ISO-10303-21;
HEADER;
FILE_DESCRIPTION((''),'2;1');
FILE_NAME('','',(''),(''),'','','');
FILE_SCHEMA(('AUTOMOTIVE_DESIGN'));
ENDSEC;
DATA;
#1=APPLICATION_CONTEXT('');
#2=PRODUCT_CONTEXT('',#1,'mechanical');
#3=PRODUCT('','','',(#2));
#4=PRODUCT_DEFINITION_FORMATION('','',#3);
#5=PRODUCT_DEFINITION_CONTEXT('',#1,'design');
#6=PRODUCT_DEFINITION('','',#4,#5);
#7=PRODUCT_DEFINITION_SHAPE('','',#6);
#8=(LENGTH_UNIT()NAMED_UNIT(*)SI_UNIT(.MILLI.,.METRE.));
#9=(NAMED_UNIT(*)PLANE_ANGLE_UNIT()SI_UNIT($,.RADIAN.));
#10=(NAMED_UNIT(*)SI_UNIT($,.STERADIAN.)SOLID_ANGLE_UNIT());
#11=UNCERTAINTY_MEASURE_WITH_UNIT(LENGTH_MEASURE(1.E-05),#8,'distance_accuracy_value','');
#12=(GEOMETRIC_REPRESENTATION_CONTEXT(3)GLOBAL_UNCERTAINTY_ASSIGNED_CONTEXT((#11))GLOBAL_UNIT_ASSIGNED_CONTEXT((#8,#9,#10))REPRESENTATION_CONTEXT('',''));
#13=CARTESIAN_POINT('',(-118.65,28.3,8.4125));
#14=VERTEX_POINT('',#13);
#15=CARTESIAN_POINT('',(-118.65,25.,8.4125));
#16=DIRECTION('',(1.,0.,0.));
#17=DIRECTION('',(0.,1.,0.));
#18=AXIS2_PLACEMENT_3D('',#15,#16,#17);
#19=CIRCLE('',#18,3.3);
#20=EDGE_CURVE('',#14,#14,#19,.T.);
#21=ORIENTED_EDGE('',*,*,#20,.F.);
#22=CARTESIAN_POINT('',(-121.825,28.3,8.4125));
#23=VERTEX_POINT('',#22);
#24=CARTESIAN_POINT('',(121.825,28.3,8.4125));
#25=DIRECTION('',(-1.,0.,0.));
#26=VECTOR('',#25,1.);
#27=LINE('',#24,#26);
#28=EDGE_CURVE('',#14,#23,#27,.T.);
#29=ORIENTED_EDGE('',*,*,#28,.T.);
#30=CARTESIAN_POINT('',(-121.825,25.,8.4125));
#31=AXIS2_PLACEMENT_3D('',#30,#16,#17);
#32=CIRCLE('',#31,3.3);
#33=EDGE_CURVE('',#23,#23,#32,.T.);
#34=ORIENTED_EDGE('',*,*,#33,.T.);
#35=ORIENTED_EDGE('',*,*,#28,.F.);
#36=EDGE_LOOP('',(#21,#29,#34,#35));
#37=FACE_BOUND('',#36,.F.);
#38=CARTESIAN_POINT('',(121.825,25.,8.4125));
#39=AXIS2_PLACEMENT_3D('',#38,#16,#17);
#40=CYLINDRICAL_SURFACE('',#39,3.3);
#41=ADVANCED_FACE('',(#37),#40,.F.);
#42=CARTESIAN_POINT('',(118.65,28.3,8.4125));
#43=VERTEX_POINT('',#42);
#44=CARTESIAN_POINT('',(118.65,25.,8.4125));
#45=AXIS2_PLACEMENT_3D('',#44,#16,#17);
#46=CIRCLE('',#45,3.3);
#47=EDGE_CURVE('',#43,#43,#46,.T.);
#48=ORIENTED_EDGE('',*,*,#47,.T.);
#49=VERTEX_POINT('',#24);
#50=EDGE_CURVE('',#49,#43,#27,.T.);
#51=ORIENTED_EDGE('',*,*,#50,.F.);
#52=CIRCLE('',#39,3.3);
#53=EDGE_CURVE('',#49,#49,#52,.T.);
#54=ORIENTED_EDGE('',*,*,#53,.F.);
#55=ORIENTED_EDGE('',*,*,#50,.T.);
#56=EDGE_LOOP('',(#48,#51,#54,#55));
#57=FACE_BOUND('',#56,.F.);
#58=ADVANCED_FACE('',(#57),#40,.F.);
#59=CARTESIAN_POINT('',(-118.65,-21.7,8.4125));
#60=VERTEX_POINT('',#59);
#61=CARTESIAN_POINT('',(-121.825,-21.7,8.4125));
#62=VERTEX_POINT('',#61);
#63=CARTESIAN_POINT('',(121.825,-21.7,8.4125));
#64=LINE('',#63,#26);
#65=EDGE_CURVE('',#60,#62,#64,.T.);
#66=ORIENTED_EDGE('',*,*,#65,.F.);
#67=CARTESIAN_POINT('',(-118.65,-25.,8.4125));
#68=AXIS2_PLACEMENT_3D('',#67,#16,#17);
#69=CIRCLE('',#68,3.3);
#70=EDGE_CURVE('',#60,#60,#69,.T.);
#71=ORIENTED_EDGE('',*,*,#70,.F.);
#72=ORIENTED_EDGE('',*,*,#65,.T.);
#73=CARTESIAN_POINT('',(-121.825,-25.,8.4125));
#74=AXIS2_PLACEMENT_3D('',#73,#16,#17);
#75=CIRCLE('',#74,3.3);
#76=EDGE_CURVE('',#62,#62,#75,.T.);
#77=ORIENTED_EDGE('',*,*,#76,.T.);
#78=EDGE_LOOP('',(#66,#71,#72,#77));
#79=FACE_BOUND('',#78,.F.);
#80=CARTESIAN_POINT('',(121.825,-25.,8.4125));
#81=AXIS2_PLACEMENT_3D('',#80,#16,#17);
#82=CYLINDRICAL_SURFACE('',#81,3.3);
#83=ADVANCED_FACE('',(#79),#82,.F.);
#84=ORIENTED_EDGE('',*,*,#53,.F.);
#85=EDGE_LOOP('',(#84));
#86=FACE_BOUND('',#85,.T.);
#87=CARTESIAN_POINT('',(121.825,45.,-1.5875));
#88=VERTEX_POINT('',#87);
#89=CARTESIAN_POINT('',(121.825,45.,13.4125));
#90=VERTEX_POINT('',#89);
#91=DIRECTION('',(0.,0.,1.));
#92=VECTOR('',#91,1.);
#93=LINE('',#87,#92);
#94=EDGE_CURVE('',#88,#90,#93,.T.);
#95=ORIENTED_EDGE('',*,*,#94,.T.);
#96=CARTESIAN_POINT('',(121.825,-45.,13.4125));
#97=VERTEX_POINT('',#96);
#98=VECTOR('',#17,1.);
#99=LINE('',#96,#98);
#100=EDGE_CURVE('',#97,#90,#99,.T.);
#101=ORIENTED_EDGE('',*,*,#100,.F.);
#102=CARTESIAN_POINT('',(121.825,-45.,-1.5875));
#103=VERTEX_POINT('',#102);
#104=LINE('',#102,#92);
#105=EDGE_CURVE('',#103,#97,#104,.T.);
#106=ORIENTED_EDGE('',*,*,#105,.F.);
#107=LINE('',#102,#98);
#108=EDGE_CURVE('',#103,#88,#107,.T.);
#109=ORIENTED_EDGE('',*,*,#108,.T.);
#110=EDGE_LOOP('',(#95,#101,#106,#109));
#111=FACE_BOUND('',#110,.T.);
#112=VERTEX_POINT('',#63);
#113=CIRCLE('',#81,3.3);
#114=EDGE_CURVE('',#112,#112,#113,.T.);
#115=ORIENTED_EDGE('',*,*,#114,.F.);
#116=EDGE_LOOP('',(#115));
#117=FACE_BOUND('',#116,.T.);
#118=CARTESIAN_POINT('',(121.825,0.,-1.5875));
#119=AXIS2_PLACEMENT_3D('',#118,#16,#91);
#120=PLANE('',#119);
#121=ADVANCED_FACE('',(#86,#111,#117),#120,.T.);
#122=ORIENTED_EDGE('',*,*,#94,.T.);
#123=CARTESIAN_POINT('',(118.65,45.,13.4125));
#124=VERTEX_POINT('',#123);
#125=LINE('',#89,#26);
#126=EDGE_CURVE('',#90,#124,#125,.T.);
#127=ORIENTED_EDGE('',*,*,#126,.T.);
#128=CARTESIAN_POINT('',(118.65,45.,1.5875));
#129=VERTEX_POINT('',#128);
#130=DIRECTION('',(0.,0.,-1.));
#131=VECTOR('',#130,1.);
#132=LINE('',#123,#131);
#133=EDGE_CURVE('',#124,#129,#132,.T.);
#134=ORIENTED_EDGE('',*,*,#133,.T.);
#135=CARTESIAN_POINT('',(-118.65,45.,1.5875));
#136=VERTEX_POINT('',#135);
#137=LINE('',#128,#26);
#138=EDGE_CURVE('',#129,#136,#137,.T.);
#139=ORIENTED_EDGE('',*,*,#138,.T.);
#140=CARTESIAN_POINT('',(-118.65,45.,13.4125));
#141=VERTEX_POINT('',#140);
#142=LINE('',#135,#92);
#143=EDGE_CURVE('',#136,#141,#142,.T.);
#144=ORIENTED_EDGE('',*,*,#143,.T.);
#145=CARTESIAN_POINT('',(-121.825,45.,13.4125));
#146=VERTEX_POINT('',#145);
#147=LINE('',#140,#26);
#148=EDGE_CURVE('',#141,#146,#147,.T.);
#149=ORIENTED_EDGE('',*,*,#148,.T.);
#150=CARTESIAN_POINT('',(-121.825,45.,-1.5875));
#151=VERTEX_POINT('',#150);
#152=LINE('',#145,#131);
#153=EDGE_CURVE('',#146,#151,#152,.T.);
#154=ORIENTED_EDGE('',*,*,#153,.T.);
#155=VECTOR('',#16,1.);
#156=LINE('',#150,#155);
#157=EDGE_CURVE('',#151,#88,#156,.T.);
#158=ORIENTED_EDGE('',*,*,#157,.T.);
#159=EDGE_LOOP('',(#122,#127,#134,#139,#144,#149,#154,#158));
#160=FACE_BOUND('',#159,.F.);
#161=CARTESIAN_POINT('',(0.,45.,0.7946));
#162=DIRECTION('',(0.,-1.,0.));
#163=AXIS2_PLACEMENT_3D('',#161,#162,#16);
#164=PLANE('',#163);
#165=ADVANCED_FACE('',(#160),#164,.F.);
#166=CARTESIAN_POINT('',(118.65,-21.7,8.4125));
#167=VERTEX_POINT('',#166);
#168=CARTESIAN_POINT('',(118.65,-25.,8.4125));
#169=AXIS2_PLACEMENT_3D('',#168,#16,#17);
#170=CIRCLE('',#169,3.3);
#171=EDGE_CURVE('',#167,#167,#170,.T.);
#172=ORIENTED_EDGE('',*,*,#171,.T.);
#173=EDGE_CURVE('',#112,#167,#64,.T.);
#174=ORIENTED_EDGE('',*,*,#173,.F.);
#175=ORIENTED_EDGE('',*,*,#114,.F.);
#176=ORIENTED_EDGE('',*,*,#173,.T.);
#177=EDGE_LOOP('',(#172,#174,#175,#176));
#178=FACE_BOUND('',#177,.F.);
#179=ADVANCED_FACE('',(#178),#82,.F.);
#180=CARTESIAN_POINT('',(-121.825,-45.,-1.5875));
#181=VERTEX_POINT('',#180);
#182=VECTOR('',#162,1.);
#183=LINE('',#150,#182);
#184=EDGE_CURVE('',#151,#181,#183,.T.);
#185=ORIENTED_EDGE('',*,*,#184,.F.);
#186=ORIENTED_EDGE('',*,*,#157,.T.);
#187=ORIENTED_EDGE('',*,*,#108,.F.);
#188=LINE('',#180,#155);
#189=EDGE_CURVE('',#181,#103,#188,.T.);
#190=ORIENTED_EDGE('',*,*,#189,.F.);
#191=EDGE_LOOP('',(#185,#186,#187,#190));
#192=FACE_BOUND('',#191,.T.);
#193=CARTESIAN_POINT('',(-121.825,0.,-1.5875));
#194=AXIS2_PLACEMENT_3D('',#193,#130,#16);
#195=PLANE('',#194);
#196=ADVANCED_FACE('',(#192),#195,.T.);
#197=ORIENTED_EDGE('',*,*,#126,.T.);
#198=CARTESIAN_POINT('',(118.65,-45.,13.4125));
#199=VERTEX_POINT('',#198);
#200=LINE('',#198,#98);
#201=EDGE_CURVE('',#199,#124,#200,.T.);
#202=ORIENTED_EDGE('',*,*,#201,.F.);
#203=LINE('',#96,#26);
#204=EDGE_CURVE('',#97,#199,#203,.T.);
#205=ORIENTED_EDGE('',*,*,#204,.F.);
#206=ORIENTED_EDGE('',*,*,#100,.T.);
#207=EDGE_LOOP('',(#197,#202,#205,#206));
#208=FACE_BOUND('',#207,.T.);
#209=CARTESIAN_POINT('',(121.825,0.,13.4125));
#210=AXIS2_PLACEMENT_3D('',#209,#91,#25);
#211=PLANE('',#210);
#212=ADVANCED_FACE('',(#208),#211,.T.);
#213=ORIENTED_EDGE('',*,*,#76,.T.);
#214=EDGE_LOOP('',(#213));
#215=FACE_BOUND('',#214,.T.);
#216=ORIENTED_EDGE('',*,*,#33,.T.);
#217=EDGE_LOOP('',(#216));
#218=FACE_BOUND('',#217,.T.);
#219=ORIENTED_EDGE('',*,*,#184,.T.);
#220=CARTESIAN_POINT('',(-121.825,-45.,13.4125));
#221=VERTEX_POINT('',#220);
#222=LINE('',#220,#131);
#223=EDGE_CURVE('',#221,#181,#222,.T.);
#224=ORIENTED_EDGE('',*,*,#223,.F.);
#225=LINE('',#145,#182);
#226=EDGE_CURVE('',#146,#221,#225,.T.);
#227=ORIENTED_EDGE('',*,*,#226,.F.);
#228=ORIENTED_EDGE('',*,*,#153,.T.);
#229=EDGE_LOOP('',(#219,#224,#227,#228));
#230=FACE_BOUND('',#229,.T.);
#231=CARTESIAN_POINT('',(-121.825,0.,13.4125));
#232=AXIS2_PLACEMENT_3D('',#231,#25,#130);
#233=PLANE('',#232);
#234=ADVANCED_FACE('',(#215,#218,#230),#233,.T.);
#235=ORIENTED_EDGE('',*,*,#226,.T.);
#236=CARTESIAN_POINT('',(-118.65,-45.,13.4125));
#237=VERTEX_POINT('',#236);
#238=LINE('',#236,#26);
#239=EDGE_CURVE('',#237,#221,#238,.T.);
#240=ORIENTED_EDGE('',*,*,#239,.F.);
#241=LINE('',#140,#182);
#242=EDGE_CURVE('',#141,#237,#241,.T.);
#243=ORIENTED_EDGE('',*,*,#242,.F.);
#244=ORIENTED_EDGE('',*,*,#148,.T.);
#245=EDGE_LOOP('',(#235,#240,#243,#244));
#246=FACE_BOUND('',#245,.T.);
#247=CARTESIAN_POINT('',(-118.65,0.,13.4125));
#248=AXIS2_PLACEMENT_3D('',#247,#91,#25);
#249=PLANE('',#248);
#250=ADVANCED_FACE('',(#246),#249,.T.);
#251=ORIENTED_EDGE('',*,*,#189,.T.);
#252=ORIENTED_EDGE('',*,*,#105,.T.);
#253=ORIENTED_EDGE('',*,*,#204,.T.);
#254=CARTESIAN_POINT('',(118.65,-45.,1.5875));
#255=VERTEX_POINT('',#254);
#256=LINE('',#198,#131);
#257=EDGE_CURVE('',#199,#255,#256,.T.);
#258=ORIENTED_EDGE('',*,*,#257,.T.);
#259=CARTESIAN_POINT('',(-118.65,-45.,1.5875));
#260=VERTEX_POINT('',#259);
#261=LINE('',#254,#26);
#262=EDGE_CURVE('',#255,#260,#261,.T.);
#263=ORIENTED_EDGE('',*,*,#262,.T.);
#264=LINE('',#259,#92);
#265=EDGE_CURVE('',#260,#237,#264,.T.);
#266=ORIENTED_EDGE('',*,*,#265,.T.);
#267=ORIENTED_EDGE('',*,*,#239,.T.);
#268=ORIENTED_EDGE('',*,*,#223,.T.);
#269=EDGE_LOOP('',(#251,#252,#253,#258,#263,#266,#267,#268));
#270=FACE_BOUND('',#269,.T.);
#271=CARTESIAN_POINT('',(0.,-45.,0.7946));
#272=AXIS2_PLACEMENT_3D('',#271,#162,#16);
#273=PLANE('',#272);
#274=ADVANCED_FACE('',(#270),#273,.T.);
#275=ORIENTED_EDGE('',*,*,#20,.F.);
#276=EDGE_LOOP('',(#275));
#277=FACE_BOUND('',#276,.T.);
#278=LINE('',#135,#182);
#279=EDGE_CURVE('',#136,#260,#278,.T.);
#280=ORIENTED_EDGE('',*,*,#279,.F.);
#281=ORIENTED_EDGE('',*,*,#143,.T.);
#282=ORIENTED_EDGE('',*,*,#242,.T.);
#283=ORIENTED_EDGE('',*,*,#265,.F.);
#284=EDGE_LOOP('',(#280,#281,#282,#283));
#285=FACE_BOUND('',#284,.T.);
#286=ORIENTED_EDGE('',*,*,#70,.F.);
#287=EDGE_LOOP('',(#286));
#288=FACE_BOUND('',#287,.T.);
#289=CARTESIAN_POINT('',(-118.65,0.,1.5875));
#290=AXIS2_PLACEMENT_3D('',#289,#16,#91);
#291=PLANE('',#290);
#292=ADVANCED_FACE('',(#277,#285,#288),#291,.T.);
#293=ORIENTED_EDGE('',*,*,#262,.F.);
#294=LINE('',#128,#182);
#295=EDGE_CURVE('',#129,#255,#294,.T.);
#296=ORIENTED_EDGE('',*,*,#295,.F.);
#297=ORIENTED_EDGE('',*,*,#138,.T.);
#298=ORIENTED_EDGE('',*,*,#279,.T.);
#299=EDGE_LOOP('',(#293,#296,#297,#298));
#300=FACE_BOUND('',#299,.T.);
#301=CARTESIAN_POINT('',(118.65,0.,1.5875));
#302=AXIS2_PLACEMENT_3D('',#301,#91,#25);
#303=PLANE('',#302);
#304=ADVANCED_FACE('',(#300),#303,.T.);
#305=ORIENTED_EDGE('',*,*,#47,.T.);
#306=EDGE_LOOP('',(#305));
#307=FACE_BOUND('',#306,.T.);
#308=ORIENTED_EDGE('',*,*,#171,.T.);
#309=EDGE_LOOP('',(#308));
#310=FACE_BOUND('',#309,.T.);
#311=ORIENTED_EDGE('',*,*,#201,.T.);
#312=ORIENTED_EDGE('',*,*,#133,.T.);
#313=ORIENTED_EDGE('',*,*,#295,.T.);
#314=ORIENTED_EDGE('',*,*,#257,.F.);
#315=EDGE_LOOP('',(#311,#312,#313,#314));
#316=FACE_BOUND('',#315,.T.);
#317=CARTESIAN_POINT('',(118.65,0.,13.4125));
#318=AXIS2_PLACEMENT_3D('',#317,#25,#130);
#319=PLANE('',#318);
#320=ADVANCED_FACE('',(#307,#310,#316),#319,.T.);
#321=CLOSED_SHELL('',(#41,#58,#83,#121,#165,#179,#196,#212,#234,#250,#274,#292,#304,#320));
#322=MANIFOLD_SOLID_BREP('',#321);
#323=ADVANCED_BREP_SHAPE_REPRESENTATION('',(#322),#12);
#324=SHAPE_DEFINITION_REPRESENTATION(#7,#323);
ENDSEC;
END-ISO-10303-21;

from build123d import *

# Parameters (mm, degrees)
F1_DEPTH = 45
F2_R     = 3.3
F3_DEPTH = 243.651


with BuildPart() as f1:
    # F0 (on Front) → F1 (new body, symmetric)
    with BuildSketch(Plane.XZ):
        Polygon((118.65, 13.4125), (118.65, 1.5875), (-118.65, 1.5875), (-118.65, 13.4125), (-121.825, 13.4125), (-121.825, 1.5875), (-121.825, -1.5875), (-118.65, -1.5875), (118.65, -1.5875), (121.825, -1.5875), (121.825, 1.5875), (121.825, 13.4125), align=None)
    extrude(amount=F1_DEPTH, both=True)

    # F2 (on face) → F3 (cut, through all)
    with BuildSketch(Plane.YZ.offset(121.825)):
        with Locations((-25, 8.4125)):
            Circle(F2_R)
        with Locations((25, 8.4125)):
            Circle(F2_R)
    extrude(amount=-F3_DEPTH, mode=Mode.SUBTRACT)


solid = f1.part
